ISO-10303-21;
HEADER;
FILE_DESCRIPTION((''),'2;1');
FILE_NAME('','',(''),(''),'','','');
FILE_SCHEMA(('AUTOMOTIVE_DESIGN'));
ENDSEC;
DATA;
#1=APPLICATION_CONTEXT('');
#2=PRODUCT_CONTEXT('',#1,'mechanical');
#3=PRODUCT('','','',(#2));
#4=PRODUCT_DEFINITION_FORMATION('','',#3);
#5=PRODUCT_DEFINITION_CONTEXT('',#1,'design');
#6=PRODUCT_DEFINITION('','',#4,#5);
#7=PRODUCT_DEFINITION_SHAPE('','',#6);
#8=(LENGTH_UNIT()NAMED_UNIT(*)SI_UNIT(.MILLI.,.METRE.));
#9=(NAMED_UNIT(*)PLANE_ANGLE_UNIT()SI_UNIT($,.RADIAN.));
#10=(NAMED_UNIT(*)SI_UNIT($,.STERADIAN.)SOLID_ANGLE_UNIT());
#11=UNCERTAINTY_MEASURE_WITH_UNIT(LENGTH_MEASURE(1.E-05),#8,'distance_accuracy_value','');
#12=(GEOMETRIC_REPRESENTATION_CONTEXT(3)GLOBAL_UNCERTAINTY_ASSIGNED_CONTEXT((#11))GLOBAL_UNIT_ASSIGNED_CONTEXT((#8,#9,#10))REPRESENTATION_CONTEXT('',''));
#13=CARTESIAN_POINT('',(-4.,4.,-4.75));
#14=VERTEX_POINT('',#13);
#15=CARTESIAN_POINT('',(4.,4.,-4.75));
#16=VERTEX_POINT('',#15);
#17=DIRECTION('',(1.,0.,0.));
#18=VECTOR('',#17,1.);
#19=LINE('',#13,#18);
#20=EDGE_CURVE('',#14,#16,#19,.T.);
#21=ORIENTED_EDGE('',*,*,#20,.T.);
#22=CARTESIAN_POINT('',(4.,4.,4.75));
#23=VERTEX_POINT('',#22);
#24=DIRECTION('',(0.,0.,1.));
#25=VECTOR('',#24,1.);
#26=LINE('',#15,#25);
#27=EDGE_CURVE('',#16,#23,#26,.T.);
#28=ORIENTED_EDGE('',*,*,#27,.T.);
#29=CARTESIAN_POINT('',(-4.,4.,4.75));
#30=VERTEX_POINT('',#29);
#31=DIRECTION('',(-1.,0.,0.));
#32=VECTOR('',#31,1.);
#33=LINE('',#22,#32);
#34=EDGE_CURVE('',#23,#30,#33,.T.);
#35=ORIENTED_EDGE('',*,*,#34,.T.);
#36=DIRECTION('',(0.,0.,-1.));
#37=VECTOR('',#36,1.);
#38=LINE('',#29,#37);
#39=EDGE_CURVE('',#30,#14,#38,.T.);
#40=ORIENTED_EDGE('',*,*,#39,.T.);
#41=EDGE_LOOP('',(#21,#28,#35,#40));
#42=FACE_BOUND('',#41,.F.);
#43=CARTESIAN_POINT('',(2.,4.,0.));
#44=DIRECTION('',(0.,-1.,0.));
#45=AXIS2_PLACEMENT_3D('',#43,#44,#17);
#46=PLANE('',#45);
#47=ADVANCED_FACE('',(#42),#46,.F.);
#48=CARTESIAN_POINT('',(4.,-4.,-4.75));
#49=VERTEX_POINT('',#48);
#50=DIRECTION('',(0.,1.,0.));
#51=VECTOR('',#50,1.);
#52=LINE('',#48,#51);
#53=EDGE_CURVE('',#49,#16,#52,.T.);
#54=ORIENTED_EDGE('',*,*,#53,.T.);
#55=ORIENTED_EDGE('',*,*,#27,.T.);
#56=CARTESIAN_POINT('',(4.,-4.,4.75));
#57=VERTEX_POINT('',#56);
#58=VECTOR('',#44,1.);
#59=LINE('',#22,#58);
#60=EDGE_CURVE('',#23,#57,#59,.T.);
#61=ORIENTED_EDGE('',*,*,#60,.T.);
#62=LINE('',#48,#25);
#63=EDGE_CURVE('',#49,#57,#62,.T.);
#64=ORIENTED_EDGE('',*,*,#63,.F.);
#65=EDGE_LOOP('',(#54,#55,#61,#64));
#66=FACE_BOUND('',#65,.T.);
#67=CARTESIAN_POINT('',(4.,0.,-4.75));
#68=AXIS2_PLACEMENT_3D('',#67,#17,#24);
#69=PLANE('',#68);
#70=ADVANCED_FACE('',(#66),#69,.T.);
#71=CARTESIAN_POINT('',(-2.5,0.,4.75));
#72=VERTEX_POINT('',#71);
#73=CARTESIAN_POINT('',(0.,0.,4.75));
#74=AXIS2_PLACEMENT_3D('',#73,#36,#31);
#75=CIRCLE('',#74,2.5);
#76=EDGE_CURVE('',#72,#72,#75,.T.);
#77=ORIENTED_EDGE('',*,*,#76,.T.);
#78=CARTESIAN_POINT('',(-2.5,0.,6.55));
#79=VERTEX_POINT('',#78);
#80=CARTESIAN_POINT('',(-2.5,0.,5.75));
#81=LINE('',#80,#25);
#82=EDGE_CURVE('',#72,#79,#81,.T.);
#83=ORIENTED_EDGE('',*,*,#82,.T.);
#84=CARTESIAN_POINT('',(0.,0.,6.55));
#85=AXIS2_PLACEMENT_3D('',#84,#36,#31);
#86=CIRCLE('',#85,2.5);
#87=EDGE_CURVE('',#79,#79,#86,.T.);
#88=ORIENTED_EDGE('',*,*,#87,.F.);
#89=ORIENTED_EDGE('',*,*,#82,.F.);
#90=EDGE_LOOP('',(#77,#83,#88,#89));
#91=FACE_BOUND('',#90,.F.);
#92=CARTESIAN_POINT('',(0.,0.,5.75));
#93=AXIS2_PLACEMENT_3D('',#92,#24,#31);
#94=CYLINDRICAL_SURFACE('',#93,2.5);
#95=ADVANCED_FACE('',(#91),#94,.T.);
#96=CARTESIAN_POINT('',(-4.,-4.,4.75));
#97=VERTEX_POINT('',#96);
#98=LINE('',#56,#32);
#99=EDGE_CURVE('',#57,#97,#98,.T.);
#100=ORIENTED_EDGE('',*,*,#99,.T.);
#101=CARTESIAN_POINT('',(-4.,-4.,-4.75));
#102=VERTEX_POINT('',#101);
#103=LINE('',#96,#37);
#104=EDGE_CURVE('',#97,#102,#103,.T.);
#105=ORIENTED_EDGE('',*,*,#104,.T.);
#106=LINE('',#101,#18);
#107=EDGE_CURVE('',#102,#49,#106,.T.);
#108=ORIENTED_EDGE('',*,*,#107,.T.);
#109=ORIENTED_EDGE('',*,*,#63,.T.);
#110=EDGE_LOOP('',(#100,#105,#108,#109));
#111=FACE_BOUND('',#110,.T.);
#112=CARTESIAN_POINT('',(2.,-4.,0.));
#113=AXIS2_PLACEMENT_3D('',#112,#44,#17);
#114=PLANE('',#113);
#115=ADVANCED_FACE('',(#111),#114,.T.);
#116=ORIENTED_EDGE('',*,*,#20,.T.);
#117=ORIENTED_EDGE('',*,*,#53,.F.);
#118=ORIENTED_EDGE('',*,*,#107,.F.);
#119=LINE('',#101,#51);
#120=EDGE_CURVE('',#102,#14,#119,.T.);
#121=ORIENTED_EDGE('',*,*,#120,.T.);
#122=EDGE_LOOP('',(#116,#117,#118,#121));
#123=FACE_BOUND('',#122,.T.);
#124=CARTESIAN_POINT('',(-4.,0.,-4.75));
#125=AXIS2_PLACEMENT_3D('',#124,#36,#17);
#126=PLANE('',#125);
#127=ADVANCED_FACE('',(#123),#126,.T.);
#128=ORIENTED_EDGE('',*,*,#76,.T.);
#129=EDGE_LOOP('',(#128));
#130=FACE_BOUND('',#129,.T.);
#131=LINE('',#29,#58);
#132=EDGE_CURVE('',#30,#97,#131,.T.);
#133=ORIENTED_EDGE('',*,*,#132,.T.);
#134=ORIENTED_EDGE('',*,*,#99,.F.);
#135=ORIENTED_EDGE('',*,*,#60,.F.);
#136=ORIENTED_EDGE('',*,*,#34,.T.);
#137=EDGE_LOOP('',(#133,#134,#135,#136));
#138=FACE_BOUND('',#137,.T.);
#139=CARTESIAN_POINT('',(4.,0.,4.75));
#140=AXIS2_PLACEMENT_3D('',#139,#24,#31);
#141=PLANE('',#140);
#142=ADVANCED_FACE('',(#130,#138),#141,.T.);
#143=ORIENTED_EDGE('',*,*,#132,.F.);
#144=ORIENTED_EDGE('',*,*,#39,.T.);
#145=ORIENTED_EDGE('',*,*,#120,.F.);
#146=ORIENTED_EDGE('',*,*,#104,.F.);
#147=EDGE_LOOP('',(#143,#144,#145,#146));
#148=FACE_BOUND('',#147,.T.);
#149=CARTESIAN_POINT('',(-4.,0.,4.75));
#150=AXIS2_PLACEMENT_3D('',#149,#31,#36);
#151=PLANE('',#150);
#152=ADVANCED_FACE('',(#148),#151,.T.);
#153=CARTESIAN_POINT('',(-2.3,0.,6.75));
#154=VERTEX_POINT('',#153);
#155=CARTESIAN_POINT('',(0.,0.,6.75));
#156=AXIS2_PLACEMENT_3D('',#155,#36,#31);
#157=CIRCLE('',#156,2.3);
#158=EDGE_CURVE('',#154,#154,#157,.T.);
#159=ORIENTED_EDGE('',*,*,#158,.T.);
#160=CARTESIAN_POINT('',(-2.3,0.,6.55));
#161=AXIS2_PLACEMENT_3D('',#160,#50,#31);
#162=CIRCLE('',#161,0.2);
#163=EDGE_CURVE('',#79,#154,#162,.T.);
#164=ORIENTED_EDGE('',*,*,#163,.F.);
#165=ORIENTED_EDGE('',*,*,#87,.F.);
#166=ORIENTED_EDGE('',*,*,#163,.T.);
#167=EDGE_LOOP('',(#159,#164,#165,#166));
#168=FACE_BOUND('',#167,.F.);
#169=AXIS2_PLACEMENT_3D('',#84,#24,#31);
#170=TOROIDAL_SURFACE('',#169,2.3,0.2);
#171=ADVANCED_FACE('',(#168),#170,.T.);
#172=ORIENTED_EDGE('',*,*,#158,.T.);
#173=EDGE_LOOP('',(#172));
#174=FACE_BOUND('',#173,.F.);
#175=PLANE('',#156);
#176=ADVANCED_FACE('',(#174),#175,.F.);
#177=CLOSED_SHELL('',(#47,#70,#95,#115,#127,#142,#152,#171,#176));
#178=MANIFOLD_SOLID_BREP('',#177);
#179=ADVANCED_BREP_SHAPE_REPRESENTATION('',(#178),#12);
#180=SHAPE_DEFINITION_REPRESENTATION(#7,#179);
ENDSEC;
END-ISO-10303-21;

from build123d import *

# Parameters (mm, degrees)
F0_W     = 2.5
F0_H     = 2
F2_DEPTH = 4
F3_R     = 0.2


with BuildPart() as f1:
    # F0 (on Front) → F1 (revolve)
    with BuildSketch(Plane.XZ):
        with Locations((-1.25, 5.75)):
            Rectangle(F0_W, F0_H)
    revolve(axis=Axis((0, 0, 1), (0, 0, -1)))

    # F0 (on Front) → F2 (join, symmetric)
    with BuildSketch(Plane.XZ):
        Polygon((4, -4.75), (4, 4.75), (2.5, 4.75), (0, 4.75), (0, -4.75), align=None)
        Polygon((0, -4.75), (0, 4.75), (-2.5, 4.75), (-4, 4.75), (-4, -4.75), align=None)
    extrude(amount=F2_DEPTH, both=True)

    # F3
    f3_edges = [f1.edges().sort_by_distance(p)[0] for p in [
        (2.5, 0, 6.75),
    ]]
    fillet(f3_edges, radius=F3_R)


solid = f1.part
